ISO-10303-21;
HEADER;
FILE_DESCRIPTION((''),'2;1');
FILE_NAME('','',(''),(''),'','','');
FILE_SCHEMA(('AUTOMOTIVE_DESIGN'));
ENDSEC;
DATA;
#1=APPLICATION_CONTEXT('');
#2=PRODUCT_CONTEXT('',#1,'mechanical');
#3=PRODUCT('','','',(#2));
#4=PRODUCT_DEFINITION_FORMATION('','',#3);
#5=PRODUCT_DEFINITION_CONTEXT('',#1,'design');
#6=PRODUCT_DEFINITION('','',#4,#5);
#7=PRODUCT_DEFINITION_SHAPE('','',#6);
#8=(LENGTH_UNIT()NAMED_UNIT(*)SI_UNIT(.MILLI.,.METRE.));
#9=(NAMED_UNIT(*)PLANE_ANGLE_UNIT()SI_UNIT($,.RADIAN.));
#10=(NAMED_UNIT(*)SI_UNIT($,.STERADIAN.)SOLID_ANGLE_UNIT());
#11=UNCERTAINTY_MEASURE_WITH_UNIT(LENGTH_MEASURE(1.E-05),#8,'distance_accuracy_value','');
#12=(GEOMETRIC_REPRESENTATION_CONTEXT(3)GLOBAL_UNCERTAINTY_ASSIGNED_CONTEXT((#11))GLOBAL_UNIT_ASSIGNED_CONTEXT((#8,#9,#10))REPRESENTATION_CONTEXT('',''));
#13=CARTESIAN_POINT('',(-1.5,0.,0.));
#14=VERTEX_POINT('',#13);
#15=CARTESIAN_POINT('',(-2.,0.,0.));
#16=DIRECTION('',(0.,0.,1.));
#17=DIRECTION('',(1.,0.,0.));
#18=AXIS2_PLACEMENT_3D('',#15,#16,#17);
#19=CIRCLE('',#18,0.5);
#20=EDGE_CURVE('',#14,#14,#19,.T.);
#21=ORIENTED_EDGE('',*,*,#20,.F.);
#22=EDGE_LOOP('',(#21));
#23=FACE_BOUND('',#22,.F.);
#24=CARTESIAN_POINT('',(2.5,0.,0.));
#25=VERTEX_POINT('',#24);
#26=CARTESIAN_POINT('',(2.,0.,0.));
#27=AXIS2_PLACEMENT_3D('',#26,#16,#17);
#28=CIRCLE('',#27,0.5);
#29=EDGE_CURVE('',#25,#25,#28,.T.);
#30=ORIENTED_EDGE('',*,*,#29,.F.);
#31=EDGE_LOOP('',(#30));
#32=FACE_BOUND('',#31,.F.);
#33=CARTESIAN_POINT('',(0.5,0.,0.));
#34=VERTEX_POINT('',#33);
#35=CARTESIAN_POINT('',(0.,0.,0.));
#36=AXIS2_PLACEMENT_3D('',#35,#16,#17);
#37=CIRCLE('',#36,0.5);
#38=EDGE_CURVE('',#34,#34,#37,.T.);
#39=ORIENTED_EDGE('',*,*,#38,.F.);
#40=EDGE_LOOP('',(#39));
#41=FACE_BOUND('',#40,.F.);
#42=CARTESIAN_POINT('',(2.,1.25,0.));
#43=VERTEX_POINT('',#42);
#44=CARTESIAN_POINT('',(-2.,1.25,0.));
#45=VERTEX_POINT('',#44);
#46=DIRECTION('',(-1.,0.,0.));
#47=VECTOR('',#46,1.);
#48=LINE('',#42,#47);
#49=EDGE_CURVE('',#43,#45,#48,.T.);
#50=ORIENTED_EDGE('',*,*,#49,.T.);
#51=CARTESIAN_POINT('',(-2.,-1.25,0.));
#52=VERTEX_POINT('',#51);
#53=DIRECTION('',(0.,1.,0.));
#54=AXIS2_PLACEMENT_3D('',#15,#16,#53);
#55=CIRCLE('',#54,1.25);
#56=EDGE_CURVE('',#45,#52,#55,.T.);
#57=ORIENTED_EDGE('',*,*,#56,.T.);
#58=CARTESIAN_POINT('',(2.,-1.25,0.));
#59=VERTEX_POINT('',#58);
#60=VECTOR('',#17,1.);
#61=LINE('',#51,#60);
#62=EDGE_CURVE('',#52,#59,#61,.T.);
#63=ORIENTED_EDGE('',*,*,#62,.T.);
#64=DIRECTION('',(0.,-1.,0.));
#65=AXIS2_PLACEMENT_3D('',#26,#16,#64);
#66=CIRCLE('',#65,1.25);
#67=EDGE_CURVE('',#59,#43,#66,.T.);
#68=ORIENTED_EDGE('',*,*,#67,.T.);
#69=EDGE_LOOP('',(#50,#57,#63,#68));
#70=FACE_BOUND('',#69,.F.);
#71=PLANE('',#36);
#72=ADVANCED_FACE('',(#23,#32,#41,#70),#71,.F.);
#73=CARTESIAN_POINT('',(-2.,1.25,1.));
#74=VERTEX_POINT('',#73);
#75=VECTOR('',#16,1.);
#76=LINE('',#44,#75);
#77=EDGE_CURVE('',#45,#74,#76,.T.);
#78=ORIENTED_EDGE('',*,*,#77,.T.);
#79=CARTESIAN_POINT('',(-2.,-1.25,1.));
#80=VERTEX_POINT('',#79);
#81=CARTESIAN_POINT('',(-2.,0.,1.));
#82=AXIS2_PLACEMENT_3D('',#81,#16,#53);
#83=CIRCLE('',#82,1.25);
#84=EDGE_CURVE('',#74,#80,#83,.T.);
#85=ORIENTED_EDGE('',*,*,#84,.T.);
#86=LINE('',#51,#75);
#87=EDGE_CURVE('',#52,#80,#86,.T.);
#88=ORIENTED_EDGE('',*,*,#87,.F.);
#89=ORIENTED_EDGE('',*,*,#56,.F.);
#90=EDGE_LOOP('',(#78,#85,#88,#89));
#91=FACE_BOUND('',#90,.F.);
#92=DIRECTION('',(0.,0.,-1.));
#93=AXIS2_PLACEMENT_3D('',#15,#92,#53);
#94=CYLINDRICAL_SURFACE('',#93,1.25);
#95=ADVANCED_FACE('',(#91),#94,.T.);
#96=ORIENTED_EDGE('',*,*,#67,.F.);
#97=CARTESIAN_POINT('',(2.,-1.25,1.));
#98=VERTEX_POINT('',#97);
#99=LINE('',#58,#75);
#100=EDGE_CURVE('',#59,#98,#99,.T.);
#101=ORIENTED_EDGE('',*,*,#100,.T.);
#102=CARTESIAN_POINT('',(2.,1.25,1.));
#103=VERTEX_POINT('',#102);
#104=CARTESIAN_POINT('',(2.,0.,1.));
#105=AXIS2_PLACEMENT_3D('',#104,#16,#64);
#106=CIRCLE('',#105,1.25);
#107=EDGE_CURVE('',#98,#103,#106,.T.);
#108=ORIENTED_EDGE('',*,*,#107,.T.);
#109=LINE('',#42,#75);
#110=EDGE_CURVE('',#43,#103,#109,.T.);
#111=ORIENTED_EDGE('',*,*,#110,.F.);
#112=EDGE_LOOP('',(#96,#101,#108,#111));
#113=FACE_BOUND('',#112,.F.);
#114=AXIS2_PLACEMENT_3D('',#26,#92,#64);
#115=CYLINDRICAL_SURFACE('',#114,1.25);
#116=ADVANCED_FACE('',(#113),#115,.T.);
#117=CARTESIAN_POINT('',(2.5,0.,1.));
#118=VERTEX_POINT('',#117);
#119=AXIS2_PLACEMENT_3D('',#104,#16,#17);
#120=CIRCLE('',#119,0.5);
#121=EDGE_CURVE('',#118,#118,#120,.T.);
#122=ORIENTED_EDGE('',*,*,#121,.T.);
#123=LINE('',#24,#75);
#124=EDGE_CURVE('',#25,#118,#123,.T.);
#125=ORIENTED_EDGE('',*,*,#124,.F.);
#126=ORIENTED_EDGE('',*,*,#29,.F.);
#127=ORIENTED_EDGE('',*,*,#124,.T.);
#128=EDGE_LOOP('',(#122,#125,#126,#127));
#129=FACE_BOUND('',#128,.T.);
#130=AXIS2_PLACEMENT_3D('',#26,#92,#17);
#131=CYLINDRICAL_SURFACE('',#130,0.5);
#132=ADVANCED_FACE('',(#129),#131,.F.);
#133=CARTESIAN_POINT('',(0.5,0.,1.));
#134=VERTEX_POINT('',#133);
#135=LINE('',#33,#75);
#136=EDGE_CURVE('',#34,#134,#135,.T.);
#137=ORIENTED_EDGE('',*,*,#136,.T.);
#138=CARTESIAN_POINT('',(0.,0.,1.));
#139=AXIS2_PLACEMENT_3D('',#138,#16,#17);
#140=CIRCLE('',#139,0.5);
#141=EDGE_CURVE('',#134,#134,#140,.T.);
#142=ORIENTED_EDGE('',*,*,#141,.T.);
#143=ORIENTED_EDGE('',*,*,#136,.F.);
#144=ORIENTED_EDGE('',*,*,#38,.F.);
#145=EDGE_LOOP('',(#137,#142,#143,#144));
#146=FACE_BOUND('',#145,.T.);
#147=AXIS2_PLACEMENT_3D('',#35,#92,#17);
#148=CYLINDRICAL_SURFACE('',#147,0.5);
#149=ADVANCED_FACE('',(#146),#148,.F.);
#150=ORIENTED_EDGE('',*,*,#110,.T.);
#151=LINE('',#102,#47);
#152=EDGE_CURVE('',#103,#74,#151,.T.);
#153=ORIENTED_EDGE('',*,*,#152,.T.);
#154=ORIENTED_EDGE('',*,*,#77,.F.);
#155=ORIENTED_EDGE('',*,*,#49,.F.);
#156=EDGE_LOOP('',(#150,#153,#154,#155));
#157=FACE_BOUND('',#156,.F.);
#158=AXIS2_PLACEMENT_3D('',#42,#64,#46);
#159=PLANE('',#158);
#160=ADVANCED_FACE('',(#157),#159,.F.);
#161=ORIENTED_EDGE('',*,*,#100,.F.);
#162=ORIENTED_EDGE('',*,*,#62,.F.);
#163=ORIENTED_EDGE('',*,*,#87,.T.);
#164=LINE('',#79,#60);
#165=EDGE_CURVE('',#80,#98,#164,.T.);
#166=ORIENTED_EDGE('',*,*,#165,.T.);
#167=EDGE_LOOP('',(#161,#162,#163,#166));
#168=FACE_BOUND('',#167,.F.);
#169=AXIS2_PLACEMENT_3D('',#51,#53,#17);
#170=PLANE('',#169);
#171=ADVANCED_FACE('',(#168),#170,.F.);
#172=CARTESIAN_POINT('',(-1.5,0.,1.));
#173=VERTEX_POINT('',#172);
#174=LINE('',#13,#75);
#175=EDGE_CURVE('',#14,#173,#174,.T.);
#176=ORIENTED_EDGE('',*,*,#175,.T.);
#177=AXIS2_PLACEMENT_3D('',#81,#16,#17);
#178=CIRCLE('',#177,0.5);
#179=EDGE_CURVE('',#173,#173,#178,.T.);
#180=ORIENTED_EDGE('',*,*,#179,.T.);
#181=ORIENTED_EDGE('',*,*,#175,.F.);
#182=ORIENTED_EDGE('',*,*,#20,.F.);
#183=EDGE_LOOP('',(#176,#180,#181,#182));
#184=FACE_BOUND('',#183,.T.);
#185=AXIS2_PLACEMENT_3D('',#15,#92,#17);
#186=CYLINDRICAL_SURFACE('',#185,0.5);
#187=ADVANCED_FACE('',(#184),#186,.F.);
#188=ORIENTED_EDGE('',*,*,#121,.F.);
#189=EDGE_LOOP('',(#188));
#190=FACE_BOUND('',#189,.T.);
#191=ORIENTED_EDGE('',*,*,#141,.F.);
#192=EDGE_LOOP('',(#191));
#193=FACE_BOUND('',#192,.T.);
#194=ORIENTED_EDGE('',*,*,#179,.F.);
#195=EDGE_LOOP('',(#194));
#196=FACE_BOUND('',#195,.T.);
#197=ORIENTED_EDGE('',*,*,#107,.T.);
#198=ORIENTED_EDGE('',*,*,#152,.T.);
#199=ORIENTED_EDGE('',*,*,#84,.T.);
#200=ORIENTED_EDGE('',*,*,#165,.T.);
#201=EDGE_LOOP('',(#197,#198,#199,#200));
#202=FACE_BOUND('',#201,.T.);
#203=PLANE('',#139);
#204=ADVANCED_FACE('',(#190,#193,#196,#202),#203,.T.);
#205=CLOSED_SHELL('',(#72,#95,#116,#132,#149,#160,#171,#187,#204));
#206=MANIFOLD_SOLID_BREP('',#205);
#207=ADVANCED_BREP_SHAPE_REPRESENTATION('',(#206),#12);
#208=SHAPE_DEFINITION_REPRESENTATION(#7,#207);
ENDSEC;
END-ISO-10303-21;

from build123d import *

# Parameters (mm, degrees)
F0_R     = 0.5
F1_DEPTH = 1


with BuildPart() as f1:
    # F0 (on Top) → F1 (new body)
    with BuildSketch(Plane.XY):
        with BuildLine():
            ThreePointArc((-2, 1.25), (-3.25, 0), (-2, -1.25))
            Line((-2, -1.25), (2, -1.25))
            ThreePointArc((2, -1.25), (3.25, 0), (2, 1.25))
            Line((2, 1.25), (-2, 1.25))
        make_face()
        with Locations((-2, 0)):
            Circle(F0_R, mode=Mode.SUBTRACT)
        Circle(F0_R, mode=Mode.SUBTRACT)
        with Locations((2, 0)):
            Circle(F0_R, mode=Mode.SUBTRACT)
    extrude(amount=F1_DEPTH)


solid = f1.part
